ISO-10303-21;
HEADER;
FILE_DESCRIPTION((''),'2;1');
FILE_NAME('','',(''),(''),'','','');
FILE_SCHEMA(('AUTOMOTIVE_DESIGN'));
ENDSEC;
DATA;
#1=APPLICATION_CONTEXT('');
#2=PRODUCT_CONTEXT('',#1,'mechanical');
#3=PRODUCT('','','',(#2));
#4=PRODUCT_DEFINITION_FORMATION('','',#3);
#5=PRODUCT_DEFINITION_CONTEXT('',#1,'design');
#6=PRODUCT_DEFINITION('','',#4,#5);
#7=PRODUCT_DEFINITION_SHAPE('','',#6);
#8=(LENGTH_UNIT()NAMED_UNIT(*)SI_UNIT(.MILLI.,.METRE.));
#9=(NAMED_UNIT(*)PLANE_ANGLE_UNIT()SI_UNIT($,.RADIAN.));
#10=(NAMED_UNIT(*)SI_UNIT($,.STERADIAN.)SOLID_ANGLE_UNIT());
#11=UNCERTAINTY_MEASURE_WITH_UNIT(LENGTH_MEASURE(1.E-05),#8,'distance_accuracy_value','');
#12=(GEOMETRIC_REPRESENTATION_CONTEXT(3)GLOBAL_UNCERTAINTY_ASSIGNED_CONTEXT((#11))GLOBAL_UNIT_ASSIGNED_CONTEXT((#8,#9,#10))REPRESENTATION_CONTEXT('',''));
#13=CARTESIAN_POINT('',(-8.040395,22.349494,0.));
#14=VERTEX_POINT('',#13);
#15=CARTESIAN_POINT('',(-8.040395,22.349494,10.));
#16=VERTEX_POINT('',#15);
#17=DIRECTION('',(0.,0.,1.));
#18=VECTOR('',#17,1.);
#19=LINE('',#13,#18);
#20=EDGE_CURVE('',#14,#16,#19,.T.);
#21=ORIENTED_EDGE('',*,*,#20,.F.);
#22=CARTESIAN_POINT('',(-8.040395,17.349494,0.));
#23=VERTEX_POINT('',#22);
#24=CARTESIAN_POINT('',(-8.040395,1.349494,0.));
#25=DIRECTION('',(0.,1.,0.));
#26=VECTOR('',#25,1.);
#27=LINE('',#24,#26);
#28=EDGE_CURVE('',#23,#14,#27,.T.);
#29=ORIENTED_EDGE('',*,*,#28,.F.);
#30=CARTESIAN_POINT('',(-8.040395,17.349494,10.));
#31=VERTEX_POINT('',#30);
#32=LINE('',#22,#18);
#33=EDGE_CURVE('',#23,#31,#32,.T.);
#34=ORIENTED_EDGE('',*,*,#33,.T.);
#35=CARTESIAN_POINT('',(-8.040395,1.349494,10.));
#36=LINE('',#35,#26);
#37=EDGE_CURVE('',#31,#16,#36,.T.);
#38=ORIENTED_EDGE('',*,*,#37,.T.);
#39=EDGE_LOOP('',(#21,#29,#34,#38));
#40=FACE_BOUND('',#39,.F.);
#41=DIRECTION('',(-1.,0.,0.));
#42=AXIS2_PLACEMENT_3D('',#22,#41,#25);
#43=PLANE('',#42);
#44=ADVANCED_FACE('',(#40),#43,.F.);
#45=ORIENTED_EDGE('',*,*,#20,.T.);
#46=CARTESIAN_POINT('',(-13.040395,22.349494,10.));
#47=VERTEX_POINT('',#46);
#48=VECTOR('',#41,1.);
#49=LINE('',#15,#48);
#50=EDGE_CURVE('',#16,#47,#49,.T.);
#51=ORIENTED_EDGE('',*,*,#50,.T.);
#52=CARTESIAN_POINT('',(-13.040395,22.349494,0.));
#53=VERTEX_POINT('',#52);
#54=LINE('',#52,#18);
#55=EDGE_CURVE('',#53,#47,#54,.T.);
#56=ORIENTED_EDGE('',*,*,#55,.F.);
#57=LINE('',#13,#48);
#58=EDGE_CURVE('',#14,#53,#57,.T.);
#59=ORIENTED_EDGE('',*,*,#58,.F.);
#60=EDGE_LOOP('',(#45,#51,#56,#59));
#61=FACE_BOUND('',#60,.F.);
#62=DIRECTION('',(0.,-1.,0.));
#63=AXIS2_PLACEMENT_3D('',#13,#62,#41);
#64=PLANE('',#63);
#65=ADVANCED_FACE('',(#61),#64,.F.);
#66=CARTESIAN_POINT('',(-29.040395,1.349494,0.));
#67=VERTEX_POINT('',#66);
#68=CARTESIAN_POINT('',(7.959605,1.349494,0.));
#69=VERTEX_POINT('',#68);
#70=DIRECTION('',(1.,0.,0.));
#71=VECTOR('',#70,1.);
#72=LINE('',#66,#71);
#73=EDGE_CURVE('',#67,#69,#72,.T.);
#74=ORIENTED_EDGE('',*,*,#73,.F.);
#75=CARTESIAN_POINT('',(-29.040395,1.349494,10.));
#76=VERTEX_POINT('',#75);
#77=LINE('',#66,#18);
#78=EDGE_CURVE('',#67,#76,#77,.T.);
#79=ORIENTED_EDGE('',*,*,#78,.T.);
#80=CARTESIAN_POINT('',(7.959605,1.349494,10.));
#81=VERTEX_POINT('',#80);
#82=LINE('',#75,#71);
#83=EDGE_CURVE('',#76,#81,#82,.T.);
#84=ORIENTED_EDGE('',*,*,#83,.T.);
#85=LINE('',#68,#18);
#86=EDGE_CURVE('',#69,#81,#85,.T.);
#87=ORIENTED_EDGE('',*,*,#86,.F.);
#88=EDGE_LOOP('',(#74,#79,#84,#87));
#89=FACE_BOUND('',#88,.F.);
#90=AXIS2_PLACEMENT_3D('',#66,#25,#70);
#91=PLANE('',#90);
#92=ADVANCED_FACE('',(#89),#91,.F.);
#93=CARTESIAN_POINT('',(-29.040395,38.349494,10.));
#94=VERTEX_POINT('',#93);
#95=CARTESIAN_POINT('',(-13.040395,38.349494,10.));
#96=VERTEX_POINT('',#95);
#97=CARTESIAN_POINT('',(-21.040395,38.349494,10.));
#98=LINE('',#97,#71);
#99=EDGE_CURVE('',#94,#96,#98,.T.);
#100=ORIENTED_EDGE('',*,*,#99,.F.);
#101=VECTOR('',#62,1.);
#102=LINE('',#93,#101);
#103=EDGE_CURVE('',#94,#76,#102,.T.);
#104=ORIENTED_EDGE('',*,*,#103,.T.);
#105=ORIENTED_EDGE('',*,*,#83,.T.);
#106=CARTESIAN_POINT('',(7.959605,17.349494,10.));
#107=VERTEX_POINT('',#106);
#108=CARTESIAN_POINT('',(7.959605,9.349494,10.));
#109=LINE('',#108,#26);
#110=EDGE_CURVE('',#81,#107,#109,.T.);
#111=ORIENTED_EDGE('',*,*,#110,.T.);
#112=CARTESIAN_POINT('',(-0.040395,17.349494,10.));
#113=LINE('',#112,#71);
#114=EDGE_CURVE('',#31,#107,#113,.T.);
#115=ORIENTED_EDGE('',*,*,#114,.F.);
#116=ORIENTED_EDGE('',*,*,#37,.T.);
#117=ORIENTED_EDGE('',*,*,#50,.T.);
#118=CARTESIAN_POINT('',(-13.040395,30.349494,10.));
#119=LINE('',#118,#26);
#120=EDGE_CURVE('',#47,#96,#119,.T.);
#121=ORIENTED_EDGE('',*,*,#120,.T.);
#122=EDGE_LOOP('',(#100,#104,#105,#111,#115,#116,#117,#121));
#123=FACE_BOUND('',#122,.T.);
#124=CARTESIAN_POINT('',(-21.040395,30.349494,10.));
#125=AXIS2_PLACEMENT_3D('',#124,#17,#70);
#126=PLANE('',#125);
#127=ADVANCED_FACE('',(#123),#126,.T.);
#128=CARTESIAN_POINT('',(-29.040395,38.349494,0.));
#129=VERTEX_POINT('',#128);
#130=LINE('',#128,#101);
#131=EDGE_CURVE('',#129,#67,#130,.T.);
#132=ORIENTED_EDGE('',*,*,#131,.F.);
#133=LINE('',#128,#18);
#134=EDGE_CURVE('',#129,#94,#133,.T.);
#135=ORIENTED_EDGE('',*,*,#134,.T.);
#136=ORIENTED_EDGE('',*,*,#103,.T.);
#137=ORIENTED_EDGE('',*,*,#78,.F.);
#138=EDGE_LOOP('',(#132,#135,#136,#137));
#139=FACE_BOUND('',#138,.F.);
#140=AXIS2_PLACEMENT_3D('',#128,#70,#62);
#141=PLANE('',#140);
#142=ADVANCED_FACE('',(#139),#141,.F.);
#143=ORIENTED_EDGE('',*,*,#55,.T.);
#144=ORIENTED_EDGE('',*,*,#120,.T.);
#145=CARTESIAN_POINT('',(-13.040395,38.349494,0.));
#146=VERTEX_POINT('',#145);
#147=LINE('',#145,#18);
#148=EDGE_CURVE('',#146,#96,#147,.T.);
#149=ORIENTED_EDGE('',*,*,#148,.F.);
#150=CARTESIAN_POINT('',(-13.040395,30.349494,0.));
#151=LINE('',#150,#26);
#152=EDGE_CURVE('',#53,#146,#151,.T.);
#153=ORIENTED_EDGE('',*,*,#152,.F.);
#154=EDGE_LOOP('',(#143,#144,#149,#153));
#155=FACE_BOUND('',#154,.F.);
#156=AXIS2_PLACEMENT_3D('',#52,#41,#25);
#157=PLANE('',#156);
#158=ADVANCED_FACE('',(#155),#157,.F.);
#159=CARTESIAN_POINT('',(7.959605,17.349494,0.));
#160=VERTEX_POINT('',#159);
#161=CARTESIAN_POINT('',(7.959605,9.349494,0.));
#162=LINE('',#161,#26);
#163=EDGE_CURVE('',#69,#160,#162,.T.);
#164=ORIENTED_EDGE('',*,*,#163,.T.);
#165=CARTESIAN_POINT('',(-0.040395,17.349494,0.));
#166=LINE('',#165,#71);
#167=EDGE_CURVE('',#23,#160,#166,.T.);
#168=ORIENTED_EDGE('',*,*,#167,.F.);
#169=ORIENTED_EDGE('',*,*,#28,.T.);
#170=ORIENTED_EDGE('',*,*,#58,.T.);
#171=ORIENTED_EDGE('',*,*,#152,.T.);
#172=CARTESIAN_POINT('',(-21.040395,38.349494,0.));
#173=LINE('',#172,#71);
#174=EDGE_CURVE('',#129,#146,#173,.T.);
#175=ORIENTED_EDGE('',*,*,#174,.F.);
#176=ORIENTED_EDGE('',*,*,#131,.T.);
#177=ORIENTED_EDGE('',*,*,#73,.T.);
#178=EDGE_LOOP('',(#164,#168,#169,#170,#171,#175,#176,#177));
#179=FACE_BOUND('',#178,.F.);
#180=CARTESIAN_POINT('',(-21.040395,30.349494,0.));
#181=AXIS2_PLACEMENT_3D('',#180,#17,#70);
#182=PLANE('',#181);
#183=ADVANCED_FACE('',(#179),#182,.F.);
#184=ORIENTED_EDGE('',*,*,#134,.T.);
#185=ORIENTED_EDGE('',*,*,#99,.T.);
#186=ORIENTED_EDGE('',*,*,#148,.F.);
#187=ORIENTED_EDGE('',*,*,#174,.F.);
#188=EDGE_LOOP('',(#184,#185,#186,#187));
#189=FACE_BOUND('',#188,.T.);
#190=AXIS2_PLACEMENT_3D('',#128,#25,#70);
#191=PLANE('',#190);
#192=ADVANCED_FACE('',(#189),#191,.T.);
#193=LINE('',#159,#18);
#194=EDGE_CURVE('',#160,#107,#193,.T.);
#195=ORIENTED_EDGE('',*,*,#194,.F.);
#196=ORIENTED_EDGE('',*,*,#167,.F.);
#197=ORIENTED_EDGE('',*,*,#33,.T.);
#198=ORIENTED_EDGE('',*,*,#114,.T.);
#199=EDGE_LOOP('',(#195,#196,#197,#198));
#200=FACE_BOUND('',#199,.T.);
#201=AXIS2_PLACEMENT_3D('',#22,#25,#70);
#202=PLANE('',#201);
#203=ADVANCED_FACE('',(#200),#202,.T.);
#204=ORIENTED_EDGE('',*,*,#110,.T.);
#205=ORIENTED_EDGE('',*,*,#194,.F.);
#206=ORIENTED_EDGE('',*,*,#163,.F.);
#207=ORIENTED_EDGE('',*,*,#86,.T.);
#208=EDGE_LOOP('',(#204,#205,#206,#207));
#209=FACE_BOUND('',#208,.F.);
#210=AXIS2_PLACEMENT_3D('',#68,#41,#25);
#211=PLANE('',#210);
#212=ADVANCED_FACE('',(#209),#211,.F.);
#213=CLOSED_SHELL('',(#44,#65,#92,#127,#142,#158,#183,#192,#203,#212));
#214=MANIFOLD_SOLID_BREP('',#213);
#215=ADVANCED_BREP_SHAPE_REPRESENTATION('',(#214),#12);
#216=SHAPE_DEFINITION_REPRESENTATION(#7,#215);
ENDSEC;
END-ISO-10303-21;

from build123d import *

# Parameters (mm, degrees)
F0_W     = 16
F0_H     = 16
F1_DEPTH = 10


with BuildPart() as f1:
    # F0 (on Top) → F1 (new body)
    with BuildSketch(Plane.XY):
        with Locations((-21.040395, 30.349494)):
            Rectangle(F0_W, F0_H)
        Polygon((-13.040395, 22.349494), (-29.040395, 22.349494), (-29.040395, 1.349494), (-8.040395, 1.349494), (-8.040395, 17.349494), (-8.040395, 22.349494), align=None)
        with Locations((-0.040395, 9.349494)):
            Rectangle(F0_W, F0_H)
    extrude(amount=F1_DEPTH)


solid = f1.part
